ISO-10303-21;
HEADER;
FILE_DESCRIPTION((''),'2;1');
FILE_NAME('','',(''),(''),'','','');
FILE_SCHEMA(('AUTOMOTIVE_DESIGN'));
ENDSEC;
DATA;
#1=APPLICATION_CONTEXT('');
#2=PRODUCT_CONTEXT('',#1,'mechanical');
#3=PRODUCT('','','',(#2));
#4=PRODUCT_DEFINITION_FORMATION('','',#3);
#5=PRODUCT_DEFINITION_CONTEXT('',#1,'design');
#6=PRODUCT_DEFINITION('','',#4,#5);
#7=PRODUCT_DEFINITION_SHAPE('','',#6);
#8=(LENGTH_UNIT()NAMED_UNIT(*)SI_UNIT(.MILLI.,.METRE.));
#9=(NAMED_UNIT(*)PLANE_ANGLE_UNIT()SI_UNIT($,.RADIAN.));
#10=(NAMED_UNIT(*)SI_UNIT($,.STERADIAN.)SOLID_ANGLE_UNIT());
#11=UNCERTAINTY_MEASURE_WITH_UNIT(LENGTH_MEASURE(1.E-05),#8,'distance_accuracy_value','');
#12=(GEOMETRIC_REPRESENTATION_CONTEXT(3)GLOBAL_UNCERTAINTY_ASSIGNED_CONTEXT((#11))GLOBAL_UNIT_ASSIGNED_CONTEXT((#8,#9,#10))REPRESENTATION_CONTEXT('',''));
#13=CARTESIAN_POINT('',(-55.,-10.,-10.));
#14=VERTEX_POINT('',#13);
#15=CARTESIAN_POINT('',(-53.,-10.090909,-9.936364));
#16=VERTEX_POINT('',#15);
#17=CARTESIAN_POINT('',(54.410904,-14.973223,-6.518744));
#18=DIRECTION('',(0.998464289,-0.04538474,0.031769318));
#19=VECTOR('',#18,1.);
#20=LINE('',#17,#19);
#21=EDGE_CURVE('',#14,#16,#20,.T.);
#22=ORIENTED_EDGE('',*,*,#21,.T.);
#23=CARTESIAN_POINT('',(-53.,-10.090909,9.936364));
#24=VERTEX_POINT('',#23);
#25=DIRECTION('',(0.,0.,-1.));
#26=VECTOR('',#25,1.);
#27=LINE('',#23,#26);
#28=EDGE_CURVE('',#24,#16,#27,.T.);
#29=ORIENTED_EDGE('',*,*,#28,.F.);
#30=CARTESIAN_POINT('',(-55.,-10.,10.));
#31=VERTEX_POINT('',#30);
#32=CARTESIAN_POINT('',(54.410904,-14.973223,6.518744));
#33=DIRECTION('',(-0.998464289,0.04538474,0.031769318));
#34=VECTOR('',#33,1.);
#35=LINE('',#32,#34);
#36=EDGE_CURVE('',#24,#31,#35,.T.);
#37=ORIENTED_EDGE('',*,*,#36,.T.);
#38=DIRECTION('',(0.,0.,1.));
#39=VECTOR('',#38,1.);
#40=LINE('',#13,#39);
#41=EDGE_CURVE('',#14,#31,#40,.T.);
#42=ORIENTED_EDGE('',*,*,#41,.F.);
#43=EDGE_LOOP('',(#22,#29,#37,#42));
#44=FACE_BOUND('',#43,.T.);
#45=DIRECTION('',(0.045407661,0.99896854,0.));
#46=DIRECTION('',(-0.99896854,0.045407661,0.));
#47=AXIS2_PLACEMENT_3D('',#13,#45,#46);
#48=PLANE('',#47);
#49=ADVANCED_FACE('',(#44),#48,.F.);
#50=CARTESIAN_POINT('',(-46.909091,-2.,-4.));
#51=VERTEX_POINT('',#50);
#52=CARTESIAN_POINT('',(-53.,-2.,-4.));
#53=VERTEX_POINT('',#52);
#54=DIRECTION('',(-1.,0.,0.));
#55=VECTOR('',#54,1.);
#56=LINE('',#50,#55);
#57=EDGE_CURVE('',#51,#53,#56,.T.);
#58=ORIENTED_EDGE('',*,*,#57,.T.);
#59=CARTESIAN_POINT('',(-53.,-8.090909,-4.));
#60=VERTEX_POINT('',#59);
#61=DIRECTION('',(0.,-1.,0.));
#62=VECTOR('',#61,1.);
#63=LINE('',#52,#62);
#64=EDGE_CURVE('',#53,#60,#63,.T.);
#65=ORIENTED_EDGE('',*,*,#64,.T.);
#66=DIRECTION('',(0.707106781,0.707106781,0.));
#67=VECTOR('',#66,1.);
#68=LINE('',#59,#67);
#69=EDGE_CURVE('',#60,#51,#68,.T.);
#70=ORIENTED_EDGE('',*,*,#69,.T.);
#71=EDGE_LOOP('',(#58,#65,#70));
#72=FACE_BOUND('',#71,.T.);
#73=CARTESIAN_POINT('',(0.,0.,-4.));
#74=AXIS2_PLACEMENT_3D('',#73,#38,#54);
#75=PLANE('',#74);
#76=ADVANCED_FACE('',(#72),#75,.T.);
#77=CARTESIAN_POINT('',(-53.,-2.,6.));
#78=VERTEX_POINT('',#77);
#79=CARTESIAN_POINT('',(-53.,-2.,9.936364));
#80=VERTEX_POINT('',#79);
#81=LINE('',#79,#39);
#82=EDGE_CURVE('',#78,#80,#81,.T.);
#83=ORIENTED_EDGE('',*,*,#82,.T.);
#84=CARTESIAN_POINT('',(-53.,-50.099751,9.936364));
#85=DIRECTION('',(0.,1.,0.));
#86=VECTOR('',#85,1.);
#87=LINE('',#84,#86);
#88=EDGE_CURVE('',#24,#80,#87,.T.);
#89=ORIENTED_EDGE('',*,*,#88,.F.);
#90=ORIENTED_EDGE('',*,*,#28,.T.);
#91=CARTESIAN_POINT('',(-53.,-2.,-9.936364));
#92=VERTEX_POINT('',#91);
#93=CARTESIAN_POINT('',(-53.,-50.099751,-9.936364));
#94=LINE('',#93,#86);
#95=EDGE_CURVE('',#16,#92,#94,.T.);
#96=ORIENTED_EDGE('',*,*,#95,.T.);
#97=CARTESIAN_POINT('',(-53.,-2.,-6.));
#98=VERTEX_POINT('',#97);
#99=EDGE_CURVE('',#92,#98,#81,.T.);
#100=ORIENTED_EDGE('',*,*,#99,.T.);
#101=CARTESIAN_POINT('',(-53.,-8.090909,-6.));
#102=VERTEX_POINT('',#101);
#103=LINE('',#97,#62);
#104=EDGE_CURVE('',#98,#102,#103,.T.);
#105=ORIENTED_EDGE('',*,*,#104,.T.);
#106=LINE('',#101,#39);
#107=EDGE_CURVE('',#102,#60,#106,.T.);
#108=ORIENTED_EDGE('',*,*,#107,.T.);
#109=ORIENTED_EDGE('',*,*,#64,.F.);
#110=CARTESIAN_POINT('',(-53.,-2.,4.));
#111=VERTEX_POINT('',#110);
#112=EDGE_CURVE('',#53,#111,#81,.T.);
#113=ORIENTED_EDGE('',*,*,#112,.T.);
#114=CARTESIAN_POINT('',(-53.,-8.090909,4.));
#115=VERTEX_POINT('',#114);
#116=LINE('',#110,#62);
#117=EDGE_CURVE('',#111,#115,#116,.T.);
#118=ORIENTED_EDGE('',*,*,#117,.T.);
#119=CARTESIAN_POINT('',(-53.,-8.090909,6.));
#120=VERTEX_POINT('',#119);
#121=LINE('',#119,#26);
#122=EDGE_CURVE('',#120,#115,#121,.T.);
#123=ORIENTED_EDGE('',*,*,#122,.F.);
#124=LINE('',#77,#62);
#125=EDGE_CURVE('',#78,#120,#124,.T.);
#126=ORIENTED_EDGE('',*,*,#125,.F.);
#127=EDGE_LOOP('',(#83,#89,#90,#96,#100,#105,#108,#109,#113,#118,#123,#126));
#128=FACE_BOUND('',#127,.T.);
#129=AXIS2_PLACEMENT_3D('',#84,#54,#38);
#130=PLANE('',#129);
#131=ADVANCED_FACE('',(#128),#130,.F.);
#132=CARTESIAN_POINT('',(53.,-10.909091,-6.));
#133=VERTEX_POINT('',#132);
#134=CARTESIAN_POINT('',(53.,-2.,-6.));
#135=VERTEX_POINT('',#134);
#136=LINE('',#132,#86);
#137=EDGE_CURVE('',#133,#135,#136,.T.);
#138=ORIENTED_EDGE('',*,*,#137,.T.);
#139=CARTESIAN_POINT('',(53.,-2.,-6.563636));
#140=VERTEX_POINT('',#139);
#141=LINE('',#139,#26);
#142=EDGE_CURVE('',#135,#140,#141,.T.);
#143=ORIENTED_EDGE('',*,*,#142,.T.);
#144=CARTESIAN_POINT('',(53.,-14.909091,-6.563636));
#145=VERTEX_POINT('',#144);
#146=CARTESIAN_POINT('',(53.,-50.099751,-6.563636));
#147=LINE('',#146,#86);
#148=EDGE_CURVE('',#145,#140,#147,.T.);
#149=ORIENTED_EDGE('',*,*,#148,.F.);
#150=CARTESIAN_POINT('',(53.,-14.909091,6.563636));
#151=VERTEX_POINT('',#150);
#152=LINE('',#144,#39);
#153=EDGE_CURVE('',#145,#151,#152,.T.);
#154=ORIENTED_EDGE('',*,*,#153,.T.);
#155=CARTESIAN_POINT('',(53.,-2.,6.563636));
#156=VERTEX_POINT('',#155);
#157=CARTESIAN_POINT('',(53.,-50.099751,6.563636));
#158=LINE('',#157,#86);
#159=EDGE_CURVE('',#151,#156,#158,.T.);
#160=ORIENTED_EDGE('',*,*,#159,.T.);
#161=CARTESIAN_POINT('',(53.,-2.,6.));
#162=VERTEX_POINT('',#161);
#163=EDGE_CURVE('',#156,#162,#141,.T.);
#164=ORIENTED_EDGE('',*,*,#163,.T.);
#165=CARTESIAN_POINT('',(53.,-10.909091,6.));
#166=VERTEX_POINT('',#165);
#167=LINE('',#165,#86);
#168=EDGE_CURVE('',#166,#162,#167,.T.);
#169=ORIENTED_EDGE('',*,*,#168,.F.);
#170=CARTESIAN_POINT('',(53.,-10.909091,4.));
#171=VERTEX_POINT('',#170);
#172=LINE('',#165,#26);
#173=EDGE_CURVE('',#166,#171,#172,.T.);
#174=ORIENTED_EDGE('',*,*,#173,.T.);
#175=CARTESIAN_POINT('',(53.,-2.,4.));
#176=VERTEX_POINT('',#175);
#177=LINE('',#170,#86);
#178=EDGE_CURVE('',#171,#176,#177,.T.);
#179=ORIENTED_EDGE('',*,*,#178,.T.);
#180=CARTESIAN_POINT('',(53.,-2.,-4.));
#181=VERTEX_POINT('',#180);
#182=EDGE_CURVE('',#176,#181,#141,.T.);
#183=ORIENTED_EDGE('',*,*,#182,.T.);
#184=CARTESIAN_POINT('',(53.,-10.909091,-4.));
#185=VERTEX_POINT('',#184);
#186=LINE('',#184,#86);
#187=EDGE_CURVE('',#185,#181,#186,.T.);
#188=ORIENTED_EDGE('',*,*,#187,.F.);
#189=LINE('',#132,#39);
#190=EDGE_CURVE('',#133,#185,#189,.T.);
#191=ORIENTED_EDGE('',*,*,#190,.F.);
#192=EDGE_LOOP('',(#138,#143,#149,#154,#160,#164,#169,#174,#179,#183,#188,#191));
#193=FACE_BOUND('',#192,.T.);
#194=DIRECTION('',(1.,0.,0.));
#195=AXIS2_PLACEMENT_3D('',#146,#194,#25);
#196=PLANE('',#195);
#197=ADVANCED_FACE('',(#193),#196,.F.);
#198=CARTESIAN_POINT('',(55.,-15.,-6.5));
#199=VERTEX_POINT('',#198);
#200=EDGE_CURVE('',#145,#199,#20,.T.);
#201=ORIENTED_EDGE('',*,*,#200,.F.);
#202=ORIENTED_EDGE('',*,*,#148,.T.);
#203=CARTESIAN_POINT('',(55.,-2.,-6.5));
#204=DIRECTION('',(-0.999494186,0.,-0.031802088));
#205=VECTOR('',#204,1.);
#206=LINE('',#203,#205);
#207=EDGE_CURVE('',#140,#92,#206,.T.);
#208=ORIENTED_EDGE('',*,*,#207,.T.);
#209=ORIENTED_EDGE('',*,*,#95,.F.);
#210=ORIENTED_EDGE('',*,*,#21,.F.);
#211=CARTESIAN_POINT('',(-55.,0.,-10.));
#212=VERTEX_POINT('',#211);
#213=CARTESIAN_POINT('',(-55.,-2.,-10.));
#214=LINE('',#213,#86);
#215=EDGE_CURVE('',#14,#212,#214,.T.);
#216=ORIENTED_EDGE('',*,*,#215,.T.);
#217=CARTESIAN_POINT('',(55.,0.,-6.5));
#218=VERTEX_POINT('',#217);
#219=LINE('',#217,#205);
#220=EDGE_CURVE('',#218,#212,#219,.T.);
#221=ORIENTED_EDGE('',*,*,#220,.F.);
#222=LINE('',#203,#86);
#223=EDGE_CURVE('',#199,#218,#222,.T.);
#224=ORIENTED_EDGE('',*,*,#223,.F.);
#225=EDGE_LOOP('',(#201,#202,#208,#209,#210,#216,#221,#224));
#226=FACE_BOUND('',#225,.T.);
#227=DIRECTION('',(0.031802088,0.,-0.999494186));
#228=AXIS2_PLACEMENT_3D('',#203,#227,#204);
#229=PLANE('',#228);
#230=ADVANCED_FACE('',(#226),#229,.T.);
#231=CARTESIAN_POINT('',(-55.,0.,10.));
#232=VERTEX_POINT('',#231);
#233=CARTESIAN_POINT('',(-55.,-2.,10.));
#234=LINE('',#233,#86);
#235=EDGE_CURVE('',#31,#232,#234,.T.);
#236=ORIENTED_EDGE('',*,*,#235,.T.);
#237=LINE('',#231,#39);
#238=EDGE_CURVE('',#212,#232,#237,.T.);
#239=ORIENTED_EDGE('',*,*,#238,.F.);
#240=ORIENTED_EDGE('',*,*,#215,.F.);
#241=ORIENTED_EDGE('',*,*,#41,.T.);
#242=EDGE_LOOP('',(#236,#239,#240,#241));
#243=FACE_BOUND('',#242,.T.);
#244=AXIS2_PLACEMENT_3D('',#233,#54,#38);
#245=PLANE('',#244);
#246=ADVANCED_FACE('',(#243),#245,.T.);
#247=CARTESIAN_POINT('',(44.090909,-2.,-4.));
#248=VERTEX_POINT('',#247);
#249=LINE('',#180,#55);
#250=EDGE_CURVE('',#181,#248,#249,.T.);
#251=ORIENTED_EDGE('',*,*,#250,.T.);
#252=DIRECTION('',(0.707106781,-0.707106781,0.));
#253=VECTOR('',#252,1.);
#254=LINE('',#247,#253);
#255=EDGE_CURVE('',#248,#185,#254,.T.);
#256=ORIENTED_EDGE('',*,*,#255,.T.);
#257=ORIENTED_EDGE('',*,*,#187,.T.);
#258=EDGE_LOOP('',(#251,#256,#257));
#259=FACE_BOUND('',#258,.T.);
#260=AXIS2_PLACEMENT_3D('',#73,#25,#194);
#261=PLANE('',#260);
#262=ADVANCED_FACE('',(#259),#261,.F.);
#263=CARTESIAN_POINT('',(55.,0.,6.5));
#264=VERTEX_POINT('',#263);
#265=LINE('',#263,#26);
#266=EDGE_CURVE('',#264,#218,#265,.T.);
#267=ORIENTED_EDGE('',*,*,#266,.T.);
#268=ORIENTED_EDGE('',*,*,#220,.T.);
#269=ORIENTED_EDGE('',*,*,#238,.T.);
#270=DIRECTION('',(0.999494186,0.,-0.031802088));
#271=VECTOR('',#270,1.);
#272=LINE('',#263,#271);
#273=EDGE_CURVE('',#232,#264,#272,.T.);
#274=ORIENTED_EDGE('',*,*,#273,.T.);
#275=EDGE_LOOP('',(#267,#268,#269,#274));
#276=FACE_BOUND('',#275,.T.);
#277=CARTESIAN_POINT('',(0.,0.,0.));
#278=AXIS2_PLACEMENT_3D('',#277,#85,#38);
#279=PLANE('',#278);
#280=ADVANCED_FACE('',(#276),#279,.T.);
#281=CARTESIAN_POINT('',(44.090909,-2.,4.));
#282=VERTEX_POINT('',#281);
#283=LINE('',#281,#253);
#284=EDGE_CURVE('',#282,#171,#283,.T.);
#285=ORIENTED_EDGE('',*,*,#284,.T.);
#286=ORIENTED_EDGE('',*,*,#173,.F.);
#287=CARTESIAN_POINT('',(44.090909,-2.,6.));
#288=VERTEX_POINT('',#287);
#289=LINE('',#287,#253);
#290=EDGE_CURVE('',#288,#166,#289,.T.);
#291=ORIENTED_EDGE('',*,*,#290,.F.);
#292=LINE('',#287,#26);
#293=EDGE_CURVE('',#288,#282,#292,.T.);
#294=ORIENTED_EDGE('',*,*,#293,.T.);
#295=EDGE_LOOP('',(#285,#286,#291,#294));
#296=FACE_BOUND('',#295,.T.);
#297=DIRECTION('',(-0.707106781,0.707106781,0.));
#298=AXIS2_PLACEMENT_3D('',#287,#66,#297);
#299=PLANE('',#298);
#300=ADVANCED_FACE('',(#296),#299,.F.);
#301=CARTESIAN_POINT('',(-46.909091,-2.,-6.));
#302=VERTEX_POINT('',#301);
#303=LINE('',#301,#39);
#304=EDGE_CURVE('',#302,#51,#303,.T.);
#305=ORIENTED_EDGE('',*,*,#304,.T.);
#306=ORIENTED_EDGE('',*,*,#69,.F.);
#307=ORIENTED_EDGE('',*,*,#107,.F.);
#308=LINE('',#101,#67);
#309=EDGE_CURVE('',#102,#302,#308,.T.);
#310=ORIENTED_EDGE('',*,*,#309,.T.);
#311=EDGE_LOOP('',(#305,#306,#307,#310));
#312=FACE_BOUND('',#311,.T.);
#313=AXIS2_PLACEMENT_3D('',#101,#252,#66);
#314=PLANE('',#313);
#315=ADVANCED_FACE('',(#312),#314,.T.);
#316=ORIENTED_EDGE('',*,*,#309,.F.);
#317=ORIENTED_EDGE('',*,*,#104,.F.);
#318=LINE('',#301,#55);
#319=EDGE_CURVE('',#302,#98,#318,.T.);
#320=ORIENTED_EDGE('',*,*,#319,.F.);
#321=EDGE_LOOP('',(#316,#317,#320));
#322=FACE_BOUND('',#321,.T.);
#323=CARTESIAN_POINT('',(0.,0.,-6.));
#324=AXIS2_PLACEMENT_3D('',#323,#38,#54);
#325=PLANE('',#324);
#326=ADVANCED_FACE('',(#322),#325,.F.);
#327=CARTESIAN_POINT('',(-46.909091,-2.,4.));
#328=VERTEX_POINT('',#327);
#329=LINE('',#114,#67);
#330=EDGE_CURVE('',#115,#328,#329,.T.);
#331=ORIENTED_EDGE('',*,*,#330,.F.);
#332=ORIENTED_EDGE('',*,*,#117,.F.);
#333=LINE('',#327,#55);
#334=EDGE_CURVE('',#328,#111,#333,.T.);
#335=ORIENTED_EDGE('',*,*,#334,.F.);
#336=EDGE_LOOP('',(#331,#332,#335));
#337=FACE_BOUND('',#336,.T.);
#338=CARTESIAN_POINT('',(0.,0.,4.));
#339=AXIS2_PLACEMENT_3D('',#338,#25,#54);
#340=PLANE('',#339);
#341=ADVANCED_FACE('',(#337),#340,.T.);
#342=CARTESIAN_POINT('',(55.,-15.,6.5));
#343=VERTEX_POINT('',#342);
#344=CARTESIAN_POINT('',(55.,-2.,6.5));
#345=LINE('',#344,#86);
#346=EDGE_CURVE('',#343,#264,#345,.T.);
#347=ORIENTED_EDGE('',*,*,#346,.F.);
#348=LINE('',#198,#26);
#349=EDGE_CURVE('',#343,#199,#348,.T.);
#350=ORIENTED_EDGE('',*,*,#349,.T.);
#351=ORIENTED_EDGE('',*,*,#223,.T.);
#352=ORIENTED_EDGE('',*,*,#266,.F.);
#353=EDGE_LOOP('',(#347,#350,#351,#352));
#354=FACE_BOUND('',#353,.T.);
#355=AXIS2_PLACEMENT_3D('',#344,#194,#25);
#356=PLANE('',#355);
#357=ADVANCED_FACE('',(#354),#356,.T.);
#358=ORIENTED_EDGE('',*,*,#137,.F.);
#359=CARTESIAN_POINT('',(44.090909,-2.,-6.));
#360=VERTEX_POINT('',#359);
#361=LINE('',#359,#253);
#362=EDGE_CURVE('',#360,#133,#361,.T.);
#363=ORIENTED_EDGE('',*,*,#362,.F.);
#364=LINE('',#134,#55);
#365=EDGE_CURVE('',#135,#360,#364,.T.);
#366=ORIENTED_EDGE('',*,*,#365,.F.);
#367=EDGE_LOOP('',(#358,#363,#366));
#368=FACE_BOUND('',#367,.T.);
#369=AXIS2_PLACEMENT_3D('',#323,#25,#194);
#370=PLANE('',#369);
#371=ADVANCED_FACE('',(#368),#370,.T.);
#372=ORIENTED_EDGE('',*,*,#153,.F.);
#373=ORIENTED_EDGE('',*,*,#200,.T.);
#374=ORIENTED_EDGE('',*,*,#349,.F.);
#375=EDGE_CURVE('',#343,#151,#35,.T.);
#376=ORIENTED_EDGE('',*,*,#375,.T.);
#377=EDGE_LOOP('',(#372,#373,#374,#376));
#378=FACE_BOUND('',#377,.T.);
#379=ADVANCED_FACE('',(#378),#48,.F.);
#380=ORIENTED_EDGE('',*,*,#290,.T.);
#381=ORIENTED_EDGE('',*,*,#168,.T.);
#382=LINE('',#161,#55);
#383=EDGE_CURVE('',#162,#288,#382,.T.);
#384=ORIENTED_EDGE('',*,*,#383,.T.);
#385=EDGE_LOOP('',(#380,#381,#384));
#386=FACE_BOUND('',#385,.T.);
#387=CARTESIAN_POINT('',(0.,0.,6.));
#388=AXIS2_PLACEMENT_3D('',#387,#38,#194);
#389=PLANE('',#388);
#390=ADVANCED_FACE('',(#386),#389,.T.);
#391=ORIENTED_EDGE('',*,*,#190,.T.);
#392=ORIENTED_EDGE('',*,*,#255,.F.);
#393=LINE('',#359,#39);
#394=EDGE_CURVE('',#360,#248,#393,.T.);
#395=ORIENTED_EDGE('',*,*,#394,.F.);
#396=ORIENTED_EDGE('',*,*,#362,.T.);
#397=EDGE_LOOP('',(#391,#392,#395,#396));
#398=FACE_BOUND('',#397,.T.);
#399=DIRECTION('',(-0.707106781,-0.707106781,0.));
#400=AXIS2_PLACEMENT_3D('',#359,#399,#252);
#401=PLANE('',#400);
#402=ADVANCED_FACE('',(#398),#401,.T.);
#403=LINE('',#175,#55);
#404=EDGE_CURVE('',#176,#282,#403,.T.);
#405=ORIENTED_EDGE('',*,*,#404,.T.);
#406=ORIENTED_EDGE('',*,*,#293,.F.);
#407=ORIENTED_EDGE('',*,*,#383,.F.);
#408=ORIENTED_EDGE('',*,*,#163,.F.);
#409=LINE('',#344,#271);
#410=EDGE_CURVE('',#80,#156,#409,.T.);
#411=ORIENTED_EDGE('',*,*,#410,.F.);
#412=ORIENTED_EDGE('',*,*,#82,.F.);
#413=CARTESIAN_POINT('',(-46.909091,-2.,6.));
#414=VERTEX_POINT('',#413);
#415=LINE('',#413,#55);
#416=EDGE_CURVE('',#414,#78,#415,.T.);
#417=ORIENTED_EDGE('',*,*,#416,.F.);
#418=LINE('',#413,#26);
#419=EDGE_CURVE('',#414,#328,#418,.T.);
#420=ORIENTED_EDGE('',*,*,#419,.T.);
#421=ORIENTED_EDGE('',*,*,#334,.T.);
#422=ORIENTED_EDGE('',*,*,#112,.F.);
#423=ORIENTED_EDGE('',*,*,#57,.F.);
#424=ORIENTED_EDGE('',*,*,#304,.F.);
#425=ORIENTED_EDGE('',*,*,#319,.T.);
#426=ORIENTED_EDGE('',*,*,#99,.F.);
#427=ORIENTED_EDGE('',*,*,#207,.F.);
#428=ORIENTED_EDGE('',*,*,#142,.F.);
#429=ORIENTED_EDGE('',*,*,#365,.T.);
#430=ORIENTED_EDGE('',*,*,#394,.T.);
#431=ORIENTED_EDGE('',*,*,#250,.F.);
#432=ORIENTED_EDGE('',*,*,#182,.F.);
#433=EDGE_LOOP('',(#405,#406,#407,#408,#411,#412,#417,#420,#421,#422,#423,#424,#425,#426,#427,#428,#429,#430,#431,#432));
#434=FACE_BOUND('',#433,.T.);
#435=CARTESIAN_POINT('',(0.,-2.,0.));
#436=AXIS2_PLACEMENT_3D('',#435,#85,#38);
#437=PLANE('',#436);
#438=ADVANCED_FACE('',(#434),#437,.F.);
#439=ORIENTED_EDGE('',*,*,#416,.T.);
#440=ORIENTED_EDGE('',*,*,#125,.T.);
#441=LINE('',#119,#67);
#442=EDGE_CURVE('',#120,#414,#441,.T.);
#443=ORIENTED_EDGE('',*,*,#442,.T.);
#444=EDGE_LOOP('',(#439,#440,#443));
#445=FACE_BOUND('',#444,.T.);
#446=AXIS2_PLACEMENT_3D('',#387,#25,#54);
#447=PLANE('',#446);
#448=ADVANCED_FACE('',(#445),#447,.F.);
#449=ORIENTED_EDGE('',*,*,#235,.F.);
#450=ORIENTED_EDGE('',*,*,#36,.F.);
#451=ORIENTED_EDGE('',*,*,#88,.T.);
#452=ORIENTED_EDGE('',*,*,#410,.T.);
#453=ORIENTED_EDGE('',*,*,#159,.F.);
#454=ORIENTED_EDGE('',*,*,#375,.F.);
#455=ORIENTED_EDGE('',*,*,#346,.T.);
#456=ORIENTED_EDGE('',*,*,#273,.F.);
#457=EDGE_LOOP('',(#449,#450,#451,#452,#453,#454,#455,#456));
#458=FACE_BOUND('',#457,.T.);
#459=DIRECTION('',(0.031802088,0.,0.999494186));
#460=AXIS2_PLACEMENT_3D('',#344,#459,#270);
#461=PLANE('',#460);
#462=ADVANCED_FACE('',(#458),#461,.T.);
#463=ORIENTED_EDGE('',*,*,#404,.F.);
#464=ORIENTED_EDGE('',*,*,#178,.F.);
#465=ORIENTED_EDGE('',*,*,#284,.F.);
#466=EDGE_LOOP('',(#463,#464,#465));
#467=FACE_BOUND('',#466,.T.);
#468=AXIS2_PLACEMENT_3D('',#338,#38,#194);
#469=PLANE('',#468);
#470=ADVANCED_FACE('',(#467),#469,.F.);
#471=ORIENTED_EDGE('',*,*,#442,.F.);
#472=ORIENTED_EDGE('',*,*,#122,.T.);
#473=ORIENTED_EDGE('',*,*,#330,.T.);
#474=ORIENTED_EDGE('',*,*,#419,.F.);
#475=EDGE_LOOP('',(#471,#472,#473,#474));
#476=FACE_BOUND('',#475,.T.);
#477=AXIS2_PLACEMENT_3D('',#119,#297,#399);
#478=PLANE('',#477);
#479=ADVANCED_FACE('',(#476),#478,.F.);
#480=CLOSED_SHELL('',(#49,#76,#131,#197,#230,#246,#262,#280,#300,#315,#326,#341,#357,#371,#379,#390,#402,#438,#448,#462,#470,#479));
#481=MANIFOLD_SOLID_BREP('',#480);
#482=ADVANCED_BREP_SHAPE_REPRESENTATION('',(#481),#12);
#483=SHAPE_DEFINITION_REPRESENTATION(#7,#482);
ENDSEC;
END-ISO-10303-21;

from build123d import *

# Parameters (mm, degrees)
BOSS_EXTRUDE1_DEPTH     = 2
BOSS_EXTRUDE2_DEPTH     = 13
CUT_EXTRUDE1_DEPTH      = 58.879184514
CUT_EXTRUDE1_DEPTH_BACK = 58.879184514
BOSS_EXTRUDE3_START     = 4
BOSS_EXTRUDE3_DEPTH     = 2


with BuildPart() as part:
    # Sketch2 → Boss-Extrude1 (new body)
    with BuildSketch(Plane(origin=(0, 0, 0), x_dir=(1, 0, 0), z_dir=(0, 1, 0))):
        Polygon((55, -6.5), (-55, -10), (-55, 10), (55, 6.5), align=None)
    extrude(amount=-BOSS_EXTRUDE1_DEPTH)

    # Sketch3 → Boss-Extrude2 (add)
    with BuildSketch(Plane.XZ.offset(2)):
        Polygon((-53, 9.936363636), (-53, -9.936363636), (-55, -10), (-55, 10), align=None)
        Polygon((53, -6.563636364), (53, 6.563636364), (55, 6.5), (55, -6.5), align=None)
    extrude(amount=BOSS_EXTRUDE2_DEPTH)

    # Sketch5 → Cut-Extrude1 (cut, two sides: drawn at the far end of the back side and taken through both)
    with BuildSketch(Plane.XY.offset(-CUT_EXTRUDE1_DEPTH_BACK)):
        Polygon((-55, -10), (55, -15), (55, -25), (-55, -25), align=None)
    extrude(amount=CUT_EXTRUDE1_DEPTH + CUT_EXTRUDE1_DEPTH_BACK, mode=Mode.SUBTRACT)

    # Sketch6 → Boss-Extrude3 (add)
    with BuildSketch(Plane.XY.offset(BOSS_EXTRUDE3_START)):
        Polygon((-53, -8.090909091), (-46.909090909, -2), (-53, -2), align=None)
        Polygon((53, -10.909090909), (53, -2), (44.090909091, -2), align=None)
    boss_extrude3 = extrude(amount=BOSS_EXTRUDE3_DEPTH)

    # Mirror1: Boss-Extrude3 across plane
    add(boss_extrude3.mirror(Plane.XY))


solid = part.part
